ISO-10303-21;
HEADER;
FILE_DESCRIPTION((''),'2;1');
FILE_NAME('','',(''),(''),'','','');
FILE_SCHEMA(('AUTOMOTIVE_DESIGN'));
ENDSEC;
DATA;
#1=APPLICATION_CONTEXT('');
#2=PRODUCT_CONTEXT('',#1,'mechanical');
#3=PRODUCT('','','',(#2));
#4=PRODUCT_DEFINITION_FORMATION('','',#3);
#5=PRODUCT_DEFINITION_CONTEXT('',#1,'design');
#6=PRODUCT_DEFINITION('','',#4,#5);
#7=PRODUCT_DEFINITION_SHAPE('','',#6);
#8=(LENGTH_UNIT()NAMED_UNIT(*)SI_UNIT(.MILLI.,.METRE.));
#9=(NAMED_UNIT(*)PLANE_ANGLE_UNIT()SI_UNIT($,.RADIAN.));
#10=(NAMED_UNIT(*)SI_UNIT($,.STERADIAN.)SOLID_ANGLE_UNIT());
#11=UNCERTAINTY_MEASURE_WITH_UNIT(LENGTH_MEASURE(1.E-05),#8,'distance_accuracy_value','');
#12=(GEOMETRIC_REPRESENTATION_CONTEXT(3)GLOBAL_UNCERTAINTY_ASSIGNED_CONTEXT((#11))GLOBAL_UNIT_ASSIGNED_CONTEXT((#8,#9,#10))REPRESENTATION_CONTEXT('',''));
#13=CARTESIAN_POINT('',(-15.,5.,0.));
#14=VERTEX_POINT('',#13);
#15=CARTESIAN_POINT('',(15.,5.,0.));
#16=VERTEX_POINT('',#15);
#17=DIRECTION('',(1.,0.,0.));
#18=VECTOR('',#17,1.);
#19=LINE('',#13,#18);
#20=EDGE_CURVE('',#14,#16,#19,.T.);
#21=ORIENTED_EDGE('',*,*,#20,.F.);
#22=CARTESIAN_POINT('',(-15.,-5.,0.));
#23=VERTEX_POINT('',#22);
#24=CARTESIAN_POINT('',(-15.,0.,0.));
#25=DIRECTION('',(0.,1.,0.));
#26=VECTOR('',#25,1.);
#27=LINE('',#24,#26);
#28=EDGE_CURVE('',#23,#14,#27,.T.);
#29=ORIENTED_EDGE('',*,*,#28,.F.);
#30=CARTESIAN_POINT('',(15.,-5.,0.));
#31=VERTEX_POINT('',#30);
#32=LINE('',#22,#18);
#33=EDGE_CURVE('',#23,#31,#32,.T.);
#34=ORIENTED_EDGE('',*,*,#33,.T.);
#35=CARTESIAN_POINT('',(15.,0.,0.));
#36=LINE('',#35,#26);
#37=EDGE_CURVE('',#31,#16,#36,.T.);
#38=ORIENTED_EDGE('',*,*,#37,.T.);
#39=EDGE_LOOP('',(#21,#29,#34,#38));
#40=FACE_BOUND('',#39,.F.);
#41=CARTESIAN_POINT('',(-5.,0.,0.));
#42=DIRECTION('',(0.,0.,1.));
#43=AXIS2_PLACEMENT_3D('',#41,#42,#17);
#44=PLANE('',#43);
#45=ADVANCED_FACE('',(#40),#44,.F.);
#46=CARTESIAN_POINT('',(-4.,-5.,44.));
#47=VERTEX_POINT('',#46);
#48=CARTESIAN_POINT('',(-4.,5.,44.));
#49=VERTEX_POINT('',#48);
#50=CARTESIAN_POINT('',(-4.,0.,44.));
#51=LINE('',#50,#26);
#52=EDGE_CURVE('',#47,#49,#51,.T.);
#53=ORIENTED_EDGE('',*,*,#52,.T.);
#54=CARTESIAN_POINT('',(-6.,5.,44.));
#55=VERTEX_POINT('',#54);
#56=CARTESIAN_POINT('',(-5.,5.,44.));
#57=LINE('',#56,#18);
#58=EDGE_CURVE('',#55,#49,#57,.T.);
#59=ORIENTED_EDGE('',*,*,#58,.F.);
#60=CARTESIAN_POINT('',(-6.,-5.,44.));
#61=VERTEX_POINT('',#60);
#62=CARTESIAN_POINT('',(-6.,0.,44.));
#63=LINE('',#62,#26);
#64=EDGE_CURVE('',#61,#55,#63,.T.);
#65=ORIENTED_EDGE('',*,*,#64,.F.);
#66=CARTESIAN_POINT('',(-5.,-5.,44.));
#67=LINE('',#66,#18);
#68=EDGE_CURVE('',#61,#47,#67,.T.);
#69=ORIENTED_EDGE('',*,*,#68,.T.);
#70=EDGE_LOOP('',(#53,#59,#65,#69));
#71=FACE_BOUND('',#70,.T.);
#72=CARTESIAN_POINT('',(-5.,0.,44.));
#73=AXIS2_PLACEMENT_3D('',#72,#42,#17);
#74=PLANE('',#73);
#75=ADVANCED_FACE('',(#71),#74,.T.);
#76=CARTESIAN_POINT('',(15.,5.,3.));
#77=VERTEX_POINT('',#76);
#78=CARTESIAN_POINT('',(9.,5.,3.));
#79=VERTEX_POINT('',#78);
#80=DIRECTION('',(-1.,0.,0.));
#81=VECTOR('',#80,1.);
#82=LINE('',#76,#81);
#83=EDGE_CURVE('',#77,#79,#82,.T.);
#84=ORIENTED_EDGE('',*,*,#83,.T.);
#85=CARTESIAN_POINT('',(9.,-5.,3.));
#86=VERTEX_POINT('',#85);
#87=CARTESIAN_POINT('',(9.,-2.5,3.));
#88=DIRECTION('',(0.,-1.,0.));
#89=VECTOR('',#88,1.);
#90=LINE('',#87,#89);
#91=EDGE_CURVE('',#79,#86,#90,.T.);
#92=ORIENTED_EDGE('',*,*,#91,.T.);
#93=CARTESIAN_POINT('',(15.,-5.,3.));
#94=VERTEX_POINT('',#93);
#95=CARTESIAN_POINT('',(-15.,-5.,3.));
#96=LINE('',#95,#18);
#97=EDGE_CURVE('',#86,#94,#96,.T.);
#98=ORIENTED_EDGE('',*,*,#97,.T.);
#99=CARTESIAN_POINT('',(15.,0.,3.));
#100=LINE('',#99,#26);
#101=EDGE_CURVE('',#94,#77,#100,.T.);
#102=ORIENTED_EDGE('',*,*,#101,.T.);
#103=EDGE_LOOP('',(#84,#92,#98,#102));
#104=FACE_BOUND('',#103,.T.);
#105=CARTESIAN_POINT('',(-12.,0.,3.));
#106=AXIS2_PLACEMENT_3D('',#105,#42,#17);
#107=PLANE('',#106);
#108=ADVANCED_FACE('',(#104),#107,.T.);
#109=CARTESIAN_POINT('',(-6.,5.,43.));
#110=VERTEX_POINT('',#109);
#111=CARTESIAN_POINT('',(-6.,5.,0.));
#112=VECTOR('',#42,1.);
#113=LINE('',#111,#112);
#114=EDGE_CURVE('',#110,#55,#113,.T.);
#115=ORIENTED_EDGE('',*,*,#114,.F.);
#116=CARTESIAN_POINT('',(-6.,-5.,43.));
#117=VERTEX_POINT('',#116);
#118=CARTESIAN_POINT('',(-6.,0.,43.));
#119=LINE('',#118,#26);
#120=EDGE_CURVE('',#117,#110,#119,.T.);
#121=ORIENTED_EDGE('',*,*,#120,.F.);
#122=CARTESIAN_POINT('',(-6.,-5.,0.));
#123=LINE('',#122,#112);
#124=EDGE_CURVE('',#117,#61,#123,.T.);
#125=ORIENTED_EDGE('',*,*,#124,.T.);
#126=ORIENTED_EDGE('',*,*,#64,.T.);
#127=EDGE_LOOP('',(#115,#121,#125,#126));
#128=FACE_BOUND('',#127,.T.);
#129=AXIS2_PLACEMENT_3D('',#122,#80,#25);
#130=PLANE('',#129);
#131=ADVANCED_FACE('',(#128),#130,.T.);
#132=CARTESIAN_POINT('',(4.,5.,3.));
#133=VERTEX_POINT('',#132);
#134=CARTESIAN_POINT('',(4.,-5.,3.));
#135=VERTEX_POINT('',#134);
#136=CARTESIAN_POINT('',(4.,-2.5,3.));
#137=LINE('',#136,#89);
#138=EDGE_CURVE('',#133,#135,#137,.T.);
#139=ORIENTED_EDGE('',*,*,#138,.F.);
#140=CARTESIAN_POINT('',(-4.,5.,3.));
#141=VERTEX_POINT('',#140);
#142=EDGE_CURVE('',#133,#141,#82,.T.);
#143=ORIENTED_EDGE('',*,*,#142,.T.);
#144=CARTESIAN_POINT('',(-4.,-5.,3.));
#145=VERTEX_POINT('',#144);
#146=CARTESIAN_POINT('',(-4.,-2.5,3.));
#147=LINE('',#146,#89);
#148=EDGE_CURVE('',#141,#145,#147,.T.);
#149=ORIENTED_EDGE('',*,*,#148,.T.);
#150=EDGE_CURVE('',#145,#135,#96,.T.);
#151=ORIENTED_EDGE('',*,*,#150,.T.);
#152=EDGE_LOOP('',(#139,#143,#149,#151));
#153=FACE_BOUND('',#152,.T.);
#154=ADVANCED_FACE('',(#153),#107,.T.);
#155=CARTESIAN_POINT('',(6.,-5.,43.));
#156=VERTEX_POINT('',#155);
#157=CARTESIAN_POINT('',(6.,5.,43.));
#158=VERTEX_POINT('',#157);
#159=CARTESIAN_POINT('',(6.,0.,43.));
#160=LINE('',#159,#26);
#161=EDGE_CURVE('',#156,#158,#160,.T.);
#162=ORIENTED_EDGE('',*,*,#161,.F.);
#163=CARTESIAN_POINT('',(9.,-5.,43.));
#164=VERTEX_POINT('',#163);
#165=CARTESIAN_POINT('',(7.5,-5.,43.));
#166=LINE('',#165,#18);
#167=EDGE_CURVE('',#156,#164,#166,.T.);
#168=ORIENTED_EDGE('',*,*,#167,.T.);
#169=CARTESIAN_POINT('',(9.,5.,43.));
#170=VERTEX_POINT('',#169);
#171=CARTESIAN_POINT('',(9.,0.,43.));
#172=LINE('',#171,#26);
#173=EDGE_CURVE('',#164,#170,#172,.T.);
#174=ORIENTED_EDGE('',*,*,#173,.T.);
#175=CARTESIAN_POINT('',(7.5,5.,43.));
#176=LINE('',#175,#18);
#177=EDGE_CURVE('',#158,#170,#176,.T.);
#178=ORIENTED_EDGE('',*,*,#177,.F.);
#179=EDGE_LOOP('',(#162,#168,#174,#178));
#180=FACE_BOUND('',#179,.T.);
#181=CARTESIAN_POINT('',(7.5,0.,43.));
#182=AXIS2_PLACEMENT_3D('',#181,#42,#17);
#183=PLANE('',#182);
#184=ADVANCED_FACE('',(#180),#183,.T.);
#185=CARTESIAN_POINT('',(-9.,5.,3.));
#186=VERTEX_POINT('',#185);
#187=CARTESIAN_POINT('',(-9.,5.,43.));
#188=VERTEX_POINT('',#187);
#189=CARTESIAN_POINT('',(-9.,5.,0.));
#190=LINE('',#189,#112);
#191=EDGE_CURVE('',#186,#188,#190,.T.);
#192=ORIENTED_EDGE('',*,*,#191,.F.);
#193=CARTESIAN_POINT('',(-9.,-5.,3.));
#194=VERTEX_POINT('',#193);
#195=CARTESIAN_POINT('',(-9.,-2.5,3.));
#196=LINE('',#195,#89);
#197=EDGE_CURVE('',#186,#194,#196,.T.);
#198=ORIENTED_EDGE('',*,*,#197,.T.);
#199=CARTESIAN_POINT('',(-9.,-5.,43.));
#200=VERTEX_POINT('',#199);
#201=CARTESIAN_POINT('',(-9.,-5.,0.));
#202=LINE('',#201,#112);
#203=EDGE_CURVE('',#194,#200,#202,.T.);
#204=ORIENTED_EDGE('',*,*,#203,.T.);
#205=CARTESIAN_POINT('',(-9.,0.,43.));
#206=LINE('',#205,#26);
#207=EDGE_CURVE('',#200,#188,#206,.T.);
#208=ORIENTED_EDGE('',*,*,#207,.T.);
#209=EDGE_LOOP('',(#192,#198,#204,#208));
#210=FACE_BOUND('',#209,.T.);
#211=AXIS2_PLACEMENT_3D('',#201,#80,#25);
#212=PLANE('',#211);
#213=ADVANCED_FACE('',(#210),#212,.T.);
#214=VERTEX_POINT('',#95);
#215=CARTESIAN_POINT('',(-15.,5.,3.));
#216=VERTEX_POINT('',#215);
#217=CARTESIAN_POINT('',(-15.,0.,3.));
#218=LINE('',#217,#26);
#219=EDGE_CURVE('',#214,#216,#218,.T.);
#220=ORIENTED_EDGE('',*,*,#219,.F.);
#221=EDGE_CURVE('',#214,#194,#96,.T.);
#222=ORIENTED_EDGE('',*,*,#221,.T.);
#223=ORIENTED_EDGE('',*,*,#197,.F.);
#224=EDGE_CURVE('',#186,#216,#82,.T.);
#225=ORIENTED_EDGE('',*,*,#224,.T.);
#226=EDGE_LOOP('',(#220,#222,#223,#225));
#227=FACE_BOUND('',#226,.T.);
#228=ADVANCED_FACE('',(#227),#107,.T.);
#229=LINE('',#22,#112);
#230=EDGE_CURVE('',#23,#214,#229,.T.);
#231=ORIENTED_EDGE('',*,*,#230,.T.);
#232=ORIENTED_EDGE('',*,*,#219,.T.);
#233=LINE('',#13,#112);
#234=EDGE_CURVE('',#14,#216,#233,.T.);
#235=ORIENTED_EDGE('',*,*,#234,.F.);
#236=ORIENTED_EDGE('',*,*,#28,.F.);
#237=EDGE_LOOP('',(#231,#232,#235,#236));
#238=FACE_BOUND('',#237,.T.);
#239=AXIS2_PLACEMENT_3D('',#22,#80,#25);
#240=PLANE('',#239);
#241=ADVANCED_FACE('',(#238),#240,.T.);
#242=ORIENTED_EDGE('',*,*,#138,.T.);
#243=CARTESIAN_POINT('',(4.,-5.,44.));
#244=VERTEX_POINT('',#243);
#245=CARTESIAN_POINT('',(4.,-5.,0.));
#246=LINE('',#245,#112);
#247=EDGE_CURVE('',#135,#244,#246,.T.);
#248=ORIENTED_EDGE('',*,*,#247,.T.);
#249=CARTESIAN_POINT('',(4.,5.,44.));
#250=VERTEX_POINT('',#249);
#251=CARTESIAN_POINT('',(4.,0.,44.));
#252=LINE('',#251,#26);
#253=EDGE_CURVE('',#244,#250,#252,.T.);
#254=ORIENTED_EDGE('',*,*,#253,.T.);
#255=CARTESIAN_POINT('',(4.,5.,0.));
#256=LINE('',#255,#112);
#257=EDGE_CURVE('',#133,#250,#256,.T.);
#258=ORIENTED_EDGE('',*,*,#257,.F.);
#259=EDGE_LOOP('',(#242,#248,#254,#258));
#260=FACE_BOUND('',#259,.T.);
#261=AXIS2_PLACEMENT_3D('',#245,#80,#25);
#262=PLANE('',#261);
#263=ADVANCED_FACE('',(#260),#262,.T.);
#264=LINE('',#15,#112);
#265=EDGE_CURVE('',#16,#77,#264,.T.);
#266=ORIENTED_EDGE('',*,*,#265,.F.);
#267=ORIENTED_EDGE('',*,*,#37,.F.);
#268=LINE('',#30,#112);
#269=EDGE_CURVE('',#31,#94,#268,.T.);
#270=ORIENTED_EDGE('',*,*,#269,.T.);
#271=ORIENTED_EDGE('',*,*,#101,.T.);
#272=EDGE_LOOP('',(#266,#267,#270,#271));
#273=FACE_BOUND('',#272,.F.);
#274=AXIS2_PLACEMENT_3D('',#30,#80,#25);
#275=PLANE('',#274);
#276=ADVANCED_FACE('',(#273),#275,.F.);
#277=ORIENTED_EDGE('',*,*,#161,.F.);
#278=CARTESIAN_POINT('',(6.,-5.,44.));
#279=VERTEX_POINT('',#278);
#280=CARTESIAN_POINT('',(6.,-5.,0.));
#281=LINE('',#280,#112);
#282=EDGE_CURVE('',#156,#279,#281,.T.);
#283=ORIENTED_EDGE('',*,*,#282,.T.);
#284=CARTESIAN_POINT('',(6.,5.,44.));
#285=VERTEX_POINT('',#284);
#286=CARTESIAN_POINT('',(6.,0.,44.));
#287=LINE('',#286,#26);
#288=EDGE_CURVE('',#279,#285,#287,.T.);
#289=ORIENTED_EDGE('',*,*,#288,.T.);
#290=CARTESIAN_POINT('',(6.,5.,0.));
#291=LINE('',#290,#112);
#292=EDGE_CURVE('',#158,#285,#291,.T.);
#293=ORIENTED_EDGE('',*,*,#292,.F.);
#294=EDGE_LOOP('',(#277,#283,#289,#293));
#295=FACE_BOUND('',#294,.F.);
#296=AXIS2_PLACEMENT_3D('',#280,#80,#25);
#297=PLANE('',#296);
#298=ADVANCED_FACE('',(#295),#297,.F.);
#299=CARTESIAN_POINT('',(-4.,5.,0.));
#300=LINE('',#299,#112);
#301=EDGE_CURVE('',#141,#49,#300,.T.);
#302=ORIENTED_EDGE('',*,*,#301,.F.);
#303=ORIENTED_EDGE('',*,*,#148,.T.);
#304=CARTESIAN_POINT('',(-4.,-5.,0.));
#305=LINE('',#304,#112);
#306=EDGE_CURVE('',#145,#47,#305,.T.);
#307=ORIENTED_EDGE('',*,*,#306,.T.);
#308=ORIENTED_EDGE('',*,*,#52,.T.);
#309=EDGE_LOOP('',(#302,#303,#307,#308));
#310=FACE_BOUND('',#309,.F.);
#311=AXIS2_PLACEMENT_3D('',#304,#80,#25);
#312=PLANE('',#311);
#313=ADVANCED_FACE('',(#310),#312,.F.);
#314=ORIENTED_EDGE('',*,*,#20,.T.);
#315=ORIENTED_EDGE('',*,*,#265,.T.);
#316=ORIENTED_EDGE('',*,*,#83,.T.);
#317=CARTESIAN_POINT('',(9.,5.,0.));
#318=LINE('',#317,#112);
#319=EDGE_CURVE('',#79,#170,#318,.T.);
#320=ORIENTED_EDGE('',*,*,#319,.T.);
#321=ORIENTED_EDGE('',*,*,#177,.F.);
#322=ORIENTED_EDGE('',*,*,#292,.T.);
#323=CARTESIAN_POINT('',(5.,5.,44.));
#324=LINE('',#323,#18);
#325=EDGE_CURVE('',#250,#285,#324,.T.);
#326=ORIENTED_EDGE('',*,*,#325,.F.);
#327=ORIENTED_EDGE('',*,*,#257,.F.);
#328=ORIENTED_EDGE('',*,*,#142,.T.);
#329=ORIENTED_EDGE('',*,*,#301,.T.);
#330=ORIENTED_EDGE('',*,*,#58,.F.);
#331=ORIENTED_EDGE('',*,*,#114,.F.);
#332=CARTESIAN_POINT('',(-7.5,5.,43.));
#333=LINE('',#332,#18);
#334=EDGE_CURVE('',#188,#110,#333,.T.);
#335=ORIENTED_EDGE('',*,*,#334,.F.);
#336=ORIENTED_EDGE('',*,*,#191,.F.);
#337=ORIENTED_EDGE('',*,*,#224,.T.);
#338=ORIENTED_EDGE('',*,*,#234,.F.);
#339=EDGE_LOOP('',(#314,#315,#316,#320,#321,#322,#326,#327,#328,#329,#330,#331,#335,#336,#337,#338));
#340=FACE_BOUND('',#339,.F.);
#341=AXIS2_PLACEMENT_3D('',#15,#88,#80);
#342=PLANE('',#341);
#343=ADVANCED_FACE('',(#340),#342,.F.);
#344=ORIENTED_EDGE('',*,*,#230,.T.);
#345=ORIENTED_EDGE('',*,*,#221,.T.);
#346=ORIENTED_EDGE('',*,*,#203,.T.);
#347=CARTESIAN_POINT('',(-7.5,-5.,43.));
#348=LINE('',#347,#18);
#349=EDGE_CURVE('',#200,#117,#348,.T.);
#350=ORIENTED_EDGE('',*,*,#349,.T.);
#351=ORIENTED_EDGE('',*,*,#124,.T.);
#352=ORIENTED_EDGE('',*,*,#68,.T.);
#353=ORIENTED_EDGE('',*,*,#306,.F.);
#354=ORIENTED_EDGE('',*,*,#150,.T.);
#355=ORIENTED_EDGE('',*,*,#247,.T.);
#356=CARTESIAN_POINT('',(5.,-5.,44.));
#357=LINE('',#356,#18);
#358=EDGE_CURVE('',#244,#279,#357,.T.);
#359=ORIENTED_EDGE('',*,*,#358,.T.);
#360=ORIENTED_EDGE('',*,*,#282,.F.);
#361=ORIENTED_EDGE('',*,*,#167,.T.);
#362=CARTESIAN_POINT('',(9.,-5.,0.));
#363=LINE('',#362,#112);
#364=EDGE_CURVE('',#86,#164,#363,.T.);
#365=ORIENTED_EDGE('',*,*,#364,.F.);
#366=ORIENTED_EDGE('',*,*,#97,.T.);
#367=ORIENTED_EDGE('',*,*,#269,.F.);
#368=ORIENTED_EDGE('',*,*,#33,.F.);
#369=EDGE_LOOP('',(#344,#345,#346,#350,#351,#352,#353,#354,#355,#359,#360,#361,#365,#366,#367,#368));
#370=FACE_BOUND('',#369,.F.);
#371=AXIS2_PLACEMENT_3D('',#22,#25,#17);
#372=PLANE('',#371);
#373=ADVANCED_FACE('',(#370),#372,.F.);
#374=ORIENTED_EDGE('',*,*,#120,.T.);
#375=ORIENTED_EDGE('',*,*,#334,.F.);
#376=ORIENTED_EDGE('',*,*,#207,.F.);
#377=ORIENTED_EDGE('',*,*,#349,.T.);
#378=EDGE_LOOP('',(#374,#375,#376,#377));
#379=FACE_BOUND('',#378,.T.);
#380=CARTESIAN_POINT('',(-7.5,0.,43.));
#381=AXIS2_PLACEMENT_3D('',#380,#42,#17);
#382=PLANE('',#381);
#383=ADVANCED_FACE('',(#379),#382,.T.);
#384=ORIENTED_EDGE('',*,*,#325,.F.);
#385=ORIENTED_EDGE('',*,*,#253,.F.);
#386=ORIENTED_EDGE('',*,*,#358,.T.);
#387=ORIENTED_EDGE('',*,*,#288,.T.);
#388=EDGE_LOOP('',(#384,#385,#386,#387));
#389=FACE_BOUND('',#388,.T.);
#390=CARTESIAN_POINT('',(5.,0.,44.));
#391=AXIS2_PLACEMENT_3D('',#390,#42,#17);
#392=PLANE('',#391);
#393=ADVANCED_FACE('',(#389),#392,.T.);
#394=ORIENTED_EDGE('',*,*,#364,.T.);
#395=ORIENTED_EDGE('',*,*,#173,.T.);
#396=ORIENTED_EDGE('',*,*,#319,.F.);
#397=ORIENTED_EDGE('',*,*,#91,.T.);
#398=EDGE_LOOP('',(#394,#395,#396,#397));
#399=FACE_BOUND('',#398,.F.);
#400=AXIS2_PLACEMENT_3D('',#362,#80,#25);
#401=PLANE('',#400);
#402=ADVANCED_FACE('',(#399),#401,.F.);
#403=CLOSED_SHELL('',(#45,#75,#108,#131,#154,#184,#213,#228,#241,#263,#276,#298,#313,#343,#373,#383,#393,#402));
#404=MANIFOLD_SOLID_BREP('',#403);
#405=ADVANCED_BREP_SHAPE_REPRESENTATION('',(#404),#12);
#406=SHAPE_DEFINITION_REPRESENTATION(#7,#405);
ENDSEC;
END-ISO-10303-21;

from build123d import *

# Parameters (mm, degrees)
F0_W     = 6
F0_H     = 10
F0_W_2   = 3
F0_W_3   = 2
F0_W_4   = 8
F1_DEPTH = 3
F2_DEPTH = 43
F3_DEPTH = 44


with BuildPart() as f1:
    # F0 (on Top) → F1 (new body)
    with BuildSketch(Plane.XY):
        with Locations((-12, 0)):
            Rectangle(F0_W, F0_H)
        with Locations((-7.5, 0)):
            Rectangle(F0_W_2, F0_H)
        with Locations((-5, 0)):
            Rectangle(F0_W_3, F0_H)
        Rectangle(F0_W_4, F0_H)
        with Locations((5, 0)):
            Rectangle(F0_W_3, F0_H)
        with Locations((7.5, 0)):
            Rectangle(F0_W_2, F0_H)
        with Locations((12, 0)):
            Rectangle(F0_W, F0_H)
    extrude(amount=F1_DEPTH)

    # F0 (on Top) → F2 (join)
    with BuildSketch(Plane.XY):
        with Locations((7.5, 0)):
            Rectangle(F0_W_2, F0_H)
        with Locations((-7.5, 0)):
            Rectangle(F0_W_2, F0_H)
    extrude(amount=F2_DEPTH)

    # F0 (on Top) → F3 (join)
    with BuildSketch(Plane.XY):
        with Locations((-5, 0)):
            Rectangle(F0_W_3, F0_H)
        with Locations((5, 0)):
            Rectangle(F0_W_3, F0_H)
    extrude(amount=F3_DEPTH)


solid = f1.part
